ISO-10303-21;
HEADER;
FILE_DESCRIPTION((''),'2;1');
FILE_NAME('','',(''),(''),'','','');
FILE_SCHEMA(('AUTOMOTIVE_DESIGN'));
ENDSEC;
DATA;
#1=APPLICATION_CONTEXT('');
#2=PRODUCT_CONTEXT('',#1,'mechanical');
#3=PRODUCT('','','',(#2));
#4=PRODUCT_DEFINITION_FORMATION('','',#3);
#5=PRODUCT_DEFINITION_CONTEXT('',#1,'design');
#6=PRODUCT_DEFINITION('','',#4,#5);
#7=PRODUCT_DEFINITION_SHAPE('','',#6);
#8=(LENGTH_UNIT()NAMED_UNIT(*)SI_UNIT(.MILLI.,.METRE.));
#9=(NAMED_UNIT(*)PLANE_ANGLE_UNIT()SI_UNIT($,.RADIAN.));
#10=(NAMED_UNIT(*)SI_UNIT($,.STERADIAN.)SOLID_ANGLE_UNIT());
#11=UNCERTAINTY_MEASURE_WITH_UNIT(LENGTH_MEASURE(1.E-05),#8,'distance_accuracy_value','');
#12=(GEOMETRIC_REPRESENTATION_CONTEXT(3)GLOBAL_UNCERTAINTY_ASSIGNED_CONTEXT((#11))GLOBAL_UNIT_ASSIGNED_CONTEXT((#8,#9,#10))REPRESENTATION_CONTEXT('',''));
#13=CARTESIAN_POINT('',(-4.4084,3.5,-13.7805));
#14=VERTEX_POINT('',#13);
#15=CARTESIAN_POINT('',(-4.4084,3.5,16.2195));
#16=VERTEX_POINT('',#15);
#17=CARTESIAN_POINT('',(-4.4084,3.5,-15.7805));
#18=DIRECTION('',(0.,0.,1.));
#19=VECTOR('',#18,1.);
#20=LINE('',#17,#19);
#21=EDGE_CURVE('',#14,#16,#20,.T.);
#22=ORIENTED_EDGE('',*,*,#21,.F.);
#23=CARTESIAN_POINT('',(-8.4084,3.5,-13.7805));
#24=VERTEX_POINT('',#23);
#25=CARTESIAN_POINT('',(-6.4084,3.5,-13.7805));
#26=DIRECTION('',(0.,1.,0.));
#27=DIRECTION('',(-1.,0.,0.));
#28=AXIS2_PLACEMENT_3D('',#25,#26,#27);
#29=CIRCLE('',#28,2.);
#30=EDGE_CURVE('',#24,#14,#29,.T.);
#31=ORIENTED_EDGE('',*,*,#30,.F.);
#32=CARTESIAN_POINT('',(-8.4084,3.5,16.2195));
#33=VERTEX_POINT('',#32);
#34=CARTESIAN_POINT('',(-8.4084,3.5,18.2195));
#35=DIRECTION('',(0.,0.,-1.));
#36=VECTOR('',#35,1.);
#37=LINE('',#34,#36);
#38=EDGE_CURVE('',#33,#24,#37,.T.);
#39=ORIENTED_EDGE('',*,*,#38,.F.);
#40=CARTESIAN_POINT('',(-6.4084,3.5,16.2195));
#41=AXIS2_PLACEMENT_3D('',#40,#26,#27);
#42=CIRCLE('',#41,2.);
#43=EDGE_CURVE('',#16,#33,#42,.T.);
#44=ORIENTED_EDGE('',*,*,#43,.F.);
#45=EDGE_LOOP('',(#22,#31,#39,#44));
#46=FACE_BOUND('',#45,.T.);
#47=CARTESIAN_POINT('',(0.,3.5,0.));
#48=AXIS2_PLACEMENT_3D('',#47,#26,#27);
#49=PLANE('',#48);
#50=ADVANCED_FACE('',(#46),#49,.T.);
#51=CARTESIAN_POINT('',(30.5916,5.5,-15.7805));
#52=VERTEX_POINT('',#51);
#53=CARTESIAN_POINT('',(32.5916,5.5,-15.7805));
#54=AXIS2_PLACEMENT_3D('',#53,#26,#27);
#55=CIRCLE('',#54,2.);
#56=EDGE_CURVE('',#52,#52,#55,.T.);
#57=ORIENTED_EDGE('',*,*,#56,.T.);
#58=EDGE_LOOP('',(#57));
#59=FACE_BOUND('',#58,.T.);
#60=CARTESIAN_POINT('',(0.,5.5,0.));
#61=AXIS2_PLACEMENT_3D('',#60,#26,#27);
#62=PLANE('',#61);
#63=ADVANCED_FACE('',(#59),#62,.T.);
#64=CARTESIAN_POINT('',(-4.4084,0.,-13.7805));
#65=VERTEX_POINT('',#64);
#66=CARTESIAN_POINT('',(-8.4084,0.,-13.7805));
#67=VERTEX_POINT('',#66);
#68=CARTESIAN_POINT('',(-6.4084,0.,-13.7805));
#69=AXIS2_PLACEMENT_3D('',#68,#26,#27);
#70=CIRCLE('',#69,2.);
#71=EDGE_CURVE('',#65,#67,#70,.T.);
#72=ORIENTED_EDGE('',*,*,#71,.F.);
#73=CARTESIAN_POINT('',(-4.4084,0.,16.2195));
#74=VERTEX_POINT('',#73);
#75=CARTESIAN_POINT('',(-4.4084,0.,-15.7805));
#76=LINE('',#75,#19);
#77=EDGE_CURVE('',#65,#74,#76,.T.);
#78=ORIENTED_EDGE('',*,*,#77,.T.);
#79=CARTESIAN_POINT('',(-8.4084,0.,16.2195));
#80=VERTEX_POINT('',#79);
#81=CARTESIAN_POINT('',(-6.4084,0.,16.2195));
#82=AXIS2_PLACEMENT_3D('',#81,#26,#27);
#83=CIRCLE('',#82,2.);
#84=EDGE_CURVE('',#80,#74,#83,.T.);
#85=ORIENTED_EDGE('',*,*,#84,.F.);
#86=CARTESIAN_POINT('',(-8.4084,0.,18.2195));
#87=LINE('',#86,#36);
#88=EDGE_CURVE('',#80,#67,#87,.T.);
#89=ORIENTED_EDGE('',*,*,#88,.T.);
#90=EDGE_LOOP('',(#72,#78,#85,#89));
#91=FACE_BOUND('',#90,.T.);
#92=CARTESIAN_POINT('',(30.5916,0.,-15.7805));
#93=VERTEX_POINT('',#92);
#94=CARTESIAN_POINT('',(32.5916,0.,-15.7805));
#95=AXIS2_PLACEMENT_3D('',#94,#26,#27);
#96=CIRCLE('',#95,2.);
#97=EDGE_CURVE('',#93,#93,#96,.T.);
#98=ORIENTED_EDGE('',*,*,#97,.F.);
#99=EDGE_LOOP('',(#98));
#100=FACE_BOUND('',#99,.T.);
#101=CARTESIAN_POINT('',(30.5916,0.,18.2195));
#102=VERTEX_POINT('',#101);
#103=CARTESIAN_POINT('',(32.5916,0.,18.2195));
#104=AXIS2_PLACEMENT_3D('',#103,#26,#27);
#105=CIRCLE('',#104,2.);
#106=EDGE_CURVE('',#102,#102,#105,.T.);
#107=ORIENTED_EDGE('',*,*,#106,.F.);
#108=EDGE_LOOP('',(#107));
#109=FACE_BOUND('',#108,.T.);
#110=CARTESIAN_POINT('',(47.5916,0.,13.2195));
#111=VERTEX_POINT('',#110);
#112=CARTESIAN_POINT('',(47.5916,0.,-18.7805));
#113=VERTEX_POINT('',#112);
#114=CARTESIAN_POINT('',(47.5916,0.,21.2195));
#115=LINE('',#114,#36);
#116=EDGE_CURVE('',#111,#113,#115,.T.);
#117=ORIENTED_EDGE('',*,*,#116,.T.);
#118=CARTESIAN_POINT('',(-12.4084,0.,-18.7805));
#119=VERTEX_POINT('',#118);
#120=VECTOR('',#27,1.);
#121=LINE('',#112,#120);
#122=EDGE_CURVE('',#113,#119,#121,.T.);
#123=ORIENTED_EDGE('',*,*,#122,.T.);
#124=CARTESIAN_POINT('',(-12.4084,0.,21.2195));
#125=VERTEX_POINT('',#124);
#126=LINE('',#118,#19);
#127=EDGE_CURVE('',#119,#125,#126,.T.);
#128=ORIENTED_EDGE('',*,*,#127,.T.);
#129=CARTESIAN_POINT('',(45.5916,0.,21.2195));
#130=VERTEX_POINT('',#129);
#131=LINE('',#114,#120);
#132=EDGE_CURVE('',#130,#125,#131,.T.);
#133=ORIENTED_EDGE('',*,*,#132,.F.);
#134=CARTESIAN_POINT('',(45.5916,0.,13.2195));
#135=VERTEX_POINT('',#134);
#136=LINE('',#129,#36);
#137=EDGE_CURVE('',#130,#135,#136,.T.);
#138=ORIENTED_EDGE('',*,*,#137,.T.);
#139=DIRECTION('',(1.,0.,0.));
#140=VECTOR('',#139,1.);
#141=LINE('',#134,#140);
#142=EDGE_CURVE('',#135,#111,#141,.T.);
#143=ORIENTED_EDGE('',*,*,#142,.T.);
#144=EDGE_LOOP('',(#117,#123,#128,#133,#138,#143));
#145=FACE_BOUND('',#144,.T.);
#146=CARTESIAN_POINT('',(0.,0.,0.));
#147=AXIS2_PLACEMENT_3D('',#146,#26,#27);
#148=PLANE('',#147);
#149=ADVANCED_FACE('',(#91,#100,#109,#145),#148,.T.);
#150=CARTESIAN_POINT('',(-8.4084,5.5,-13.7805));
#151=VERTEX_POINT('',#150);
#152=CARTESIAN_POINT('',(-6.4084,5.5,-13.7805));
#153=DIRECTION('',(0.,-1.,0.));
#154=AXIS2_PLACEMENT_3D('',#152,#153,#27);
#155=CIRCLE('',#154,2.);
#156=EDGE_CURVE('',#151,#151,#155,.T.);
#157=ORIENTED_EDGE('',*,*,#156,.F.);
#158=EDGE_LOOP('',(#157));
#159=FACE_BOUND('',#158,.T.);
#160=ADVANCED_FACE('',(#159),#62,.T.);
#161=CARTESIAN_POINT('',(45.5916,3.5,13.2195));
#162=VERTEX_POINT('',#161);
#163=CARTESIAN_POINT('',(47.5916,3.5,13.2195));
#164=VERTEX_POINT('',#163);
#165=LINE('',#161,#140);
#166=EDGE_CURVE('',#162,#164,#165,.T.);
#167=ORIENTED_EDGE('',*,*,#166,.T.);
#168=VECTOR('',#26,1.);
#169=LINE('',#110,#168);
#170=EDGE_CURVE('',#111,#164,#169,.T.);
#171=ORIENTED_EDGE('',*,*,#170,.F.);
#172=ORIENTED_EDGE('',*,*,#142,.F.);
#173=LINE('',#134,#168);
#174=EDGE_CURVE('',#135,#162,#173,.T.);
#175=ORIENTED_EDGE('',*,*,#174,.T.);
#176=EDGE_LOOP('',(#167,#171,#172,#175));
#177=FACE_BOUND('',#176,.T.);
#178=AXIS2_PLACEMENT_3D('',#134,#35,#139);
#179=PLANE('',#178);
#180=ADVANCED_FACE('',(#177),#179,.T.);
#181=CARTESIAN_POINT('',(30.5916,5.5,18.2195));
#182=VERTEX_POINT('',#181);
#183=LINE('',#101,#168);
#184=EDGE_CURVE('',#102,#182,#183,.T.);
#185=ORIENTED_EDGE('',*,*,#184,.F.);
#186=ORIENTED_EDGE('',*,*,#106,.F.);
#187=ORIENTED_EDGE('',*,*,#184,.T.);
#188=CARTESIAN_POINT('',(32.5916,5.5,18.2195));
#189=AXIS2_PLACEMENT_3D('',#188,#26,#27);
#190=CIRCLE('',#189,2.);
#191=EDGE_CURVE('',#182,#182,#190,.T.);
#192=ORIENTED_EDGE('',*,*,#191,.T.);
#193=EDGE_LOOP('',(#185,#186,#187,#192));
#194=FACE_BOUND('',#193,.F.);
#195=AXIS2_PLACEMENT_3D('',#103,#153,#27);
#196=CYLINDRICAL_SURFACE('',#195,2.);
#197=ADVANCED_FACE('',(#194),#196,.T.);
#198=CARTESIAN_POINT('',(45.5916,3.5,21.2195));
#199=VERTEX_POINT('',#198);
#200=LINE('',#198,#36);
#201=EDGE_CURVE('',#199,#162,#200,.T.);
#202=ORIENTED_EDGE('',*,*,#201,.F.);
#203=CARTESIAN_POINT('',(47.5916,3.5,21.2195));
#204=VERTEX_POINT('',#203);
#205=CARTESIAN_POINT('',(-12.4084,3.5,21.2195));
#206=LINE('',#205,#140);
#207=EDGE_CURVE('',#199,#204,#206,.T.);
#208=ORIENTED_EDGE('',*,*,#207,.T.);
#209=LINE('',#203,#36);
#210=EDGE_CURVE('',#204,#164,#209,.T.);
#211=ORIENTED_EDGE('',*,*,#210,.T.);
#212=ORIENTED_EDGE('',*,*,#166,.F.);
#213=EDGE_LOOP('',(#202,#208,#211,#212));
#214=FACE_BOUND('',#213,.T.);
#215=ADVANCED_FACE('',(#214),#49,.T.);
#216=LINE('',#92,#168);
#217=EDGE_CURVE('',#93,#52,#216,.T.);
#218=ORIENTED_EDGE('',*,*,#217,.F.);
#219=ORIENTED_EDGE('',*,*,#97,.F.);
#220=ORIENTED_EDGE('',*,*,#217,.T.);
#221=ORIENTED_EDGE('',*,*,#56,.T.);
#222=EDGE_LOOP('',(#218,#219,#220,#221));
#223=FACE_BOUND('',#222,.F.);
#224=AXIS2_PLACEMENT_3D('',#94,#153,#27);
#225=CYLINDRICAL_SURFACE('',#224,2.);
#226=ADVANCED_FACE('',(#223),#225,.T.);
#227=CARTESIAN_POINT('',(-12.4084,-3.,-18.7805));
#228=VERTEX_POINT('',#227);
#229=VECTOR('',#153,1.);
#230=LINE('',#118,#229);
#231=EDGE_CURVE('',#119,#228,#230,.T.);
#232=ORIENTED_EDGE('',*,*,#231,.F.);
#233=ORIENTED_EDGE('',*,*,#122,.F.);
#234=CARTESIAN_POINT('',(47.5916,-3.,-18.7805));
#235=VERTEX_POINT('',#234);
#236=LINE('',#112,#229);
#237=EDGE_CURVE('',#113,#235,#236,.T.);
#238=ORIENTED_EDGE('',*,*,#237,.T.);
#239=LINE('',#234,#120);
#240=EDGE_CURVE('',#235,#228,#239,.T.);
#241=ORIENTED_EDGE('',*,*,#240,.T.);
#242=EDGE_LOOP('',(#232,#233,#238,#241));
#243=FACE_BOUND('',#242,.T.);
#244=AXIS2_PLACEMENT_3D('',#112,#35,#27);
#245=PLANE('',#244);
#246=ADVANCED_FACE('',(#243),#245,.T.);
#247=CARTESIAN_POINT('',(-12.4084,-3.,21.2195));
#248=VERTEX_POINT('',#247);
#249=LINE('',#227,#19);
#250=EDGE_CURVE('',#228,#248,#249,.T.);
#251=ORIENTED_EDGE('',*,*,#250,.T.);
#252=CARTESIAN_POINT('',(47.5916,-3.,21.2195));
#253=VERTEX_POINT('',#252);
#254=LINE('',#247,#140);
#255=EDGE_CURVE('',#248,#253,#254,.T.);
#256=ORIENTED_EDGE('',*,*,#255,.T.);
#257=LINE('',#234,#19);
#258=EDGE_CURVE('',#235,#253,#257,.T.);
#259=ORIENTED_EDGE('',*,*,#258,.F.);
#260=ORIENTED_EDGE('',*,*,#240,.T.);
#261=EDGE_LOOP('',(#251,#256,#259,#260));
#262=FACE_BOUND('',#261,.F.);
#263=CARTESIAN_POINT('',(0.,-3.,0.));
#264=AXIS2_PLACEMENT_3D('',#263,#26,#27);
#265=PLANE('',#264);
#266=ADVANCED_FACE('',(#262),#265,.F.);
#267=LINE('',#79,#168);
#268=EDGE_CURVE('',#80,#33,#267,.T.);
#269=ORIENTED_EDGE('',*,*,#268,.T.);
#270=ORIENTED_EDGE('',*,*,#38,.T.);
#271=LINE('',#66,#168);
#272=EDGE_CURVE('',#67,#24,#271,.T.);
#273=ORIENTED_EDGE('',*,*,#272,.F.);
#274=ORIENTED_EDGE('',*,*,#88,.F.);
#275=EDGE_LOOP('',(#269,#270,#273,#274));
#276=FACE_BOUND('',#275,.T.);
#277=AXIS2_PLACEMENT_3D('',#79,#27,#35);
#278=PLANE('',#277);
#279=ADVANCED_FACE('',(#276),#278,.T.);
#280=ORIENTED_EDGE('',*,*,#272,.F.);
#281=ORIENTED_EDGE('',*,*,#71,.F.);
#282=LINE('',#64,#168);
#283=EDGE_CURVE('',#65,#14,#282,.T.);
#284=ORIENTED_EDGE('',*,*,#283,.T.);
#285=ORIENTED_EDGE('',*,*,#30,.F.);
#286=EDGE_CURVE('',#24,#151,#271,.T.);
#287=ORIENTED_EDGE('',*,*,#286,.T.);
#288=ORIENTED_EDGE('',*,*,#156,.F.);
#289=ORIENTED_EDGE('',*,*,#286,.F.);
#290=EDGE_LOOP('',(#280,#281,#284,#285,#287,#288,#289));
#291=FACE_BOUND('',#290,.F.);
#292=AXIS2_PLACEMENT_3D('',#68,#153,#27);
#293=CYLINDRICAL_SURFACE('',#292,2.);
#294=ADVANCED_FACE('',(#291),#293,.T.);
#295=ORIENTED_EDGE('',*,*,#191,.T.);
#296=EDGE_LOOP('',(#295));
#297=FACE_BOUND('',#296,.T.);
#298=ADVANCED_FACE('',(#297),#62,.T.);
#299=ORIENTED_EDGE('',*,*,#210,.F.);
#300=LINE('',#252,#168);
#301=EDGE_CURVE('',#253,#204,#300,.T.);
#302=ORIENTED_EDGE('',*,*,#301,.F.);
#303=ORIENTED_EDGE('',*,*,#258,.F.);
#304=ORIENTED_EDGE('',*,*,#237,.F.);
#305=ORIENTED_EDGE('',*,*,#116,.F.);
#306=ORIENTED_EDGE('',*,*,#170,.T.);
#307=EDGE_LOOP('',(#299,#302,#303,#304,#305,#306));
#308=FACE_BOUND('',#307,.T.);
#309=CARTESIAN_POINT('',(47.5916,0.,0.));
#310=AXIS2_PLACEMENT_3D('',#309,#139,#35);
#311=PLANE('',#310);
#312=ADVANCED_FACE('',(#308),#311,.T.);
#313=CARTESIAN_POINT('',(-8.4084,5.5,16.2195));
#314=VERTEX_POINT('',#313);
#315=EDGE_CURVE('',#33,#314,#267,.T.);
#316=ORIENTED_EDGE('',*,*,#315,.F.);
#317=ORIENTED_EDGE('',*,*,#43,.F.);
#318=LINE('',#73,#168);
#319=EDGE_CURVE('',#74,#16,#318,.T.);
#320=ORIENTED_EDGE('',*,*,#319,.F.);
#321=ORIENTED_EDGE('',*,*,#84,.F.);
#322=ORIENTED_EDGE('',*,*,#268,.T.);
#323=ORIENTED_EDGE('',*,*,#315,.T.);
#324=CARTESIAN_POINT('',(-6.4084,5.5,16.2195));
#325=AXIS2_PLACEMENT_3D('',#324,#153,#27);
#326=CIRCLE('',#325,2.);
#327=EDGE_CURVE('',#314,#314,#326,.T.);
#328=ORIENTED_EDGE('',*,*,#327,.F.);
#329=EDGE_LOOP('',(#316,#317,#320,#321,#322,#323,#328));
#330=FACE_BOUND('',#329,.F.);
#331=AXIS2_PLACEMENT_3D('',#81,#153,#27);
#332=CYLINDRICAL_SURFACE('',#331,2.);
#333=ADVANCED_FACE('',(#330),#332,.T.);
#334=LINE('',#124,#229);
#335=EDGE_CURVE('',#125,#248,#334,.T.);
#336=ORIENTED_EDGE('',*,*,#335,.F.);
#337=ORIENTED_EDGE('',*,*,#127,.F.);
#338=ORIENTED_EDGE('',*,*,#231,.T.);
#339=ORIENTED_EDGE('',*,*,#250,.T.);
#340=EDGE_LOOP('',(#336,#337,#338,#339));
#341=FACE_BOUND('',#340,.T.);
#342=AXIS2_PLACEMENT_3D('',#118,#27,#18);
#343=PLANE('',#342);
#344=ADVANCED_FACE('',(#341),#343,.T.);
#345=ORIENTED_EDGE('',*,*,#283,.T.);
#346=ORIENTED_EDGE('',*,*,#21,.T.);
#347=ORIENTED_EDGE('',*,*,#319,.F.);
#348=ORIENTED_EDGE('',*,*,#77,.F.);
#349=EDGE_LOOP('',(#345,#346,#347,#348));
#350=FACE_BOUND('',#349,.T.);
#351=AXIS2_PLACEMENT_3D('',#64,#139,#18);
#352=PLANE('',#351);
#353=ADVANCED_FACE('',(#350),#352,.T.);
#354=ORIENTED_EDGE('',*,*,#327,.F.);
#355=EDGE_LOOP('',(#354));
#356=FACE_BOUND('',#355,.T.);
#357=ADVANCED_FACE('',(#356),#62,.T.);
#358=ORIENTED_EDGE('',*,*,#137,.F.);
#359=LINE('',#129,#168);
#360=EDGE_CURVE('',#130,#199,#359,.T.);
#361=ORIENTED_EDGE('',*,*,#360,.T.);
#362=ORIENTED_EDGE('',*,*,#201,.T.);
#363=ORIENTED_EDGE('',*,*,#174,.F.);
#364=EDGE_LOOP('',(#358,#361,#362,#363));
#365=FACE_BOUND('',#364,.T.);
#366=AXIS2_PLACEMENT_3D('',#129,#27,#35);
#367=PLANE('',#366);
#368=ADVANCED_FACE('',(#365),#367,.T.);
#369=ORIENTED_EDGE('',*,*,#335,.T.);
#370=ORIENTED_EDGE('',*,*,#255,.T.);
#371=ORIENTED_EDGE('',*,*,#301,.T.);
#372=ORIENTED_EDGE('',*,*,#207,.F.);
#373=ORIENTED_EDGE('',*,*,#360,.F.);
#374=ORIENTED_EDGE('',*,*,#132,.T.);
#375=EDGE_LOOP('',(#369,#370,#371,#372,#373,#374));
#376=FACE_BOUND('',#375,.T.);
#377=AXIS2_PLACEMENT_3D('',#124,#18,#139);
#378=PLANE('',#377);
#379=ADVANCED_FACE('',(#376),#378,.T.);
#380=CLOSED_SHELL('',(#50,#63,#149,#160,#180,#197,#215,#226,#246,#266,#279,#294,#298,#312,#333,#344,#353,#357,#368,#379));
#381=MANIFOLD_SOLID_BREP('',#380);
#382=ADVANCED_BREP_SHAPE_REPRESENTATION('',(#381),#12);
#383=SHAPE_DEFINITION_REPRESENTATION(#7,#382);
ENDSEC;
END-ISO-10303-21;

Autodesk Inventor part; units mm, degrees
ref_plane "YZ Plane" through (0, 0, 0) normal (1, 0, 0) x (0, 1, 0)
ref_plane "XZ Plane" through (0, 0, 0) normal (0, 1, 0) x (-1, 0, 0)
ref_plane "XY Plane" through (0, 0, 0) normal (0, 0, 1) x (1, 0, 0)
sketch "Sketch1" plane through (0, 0, 0) normal (0, 1, 0) x (-1, 0, 0)
  line L0 (12.4084, 21.2195) -> (-47.5916, 21.2195)
  line L1 (-47.5916, 21.2195) -> (-47.5916, -18.7805)
  line L2 (-47.5916, -18.7805) -> (12.4084, -18.7805)
  line L3 (12.4084, -18.7805) -> (12.4084, 21.2195)
  circle A0 centre (6.4084, 16.2195) radius 2
  circle A1 centre (6.4084, -13.7805) radius 2
  circle A2 centre (-32.5916, 18.2195) radius 2
  circle A3 centre (-32.5916, -15.7805) radius 2
  line L4 (-47.5916, 21.2195) -> (-47.5916, 0)
  line L5 (-47.5916, 21.2195) -> (-45.5916, 21.2195)
  line L6 (-45.5916, 21.2195) -> (-45.5916, 13.2195)
  line L7 (-45.5916, 13.2195) -> (-47.5916, 13.2195)
  line L8 (-47.5916, 13.2195) -> (-47.5916, 21.2195)
  line L9 (8.4084, -15.7805) -> (4.4084, -15.7805)
  line L10 (4.4084, -15.7805) -> (4.4084, 18.2195)
  line L11 (4.4084, 18.2195) -> (8.4084, 18.2195)
  line L12 (8.4084, 18.2195) -> (8.4084, -15.7805)
  point P0 (0, 0)
  point P1 (8.4084, -13.7805)
  point P2 (8.4084, 16.2195)
  point P3 (4.4084, 16.2195)
  point P4 (4.4084, -13.7805)
  dimension "d0" = 40
  dimension "d1" = 60
  dimension "d2" = 4
  dimension "d3" = 4
  dimension "d4" = 4
  dimension "d5" = 4
  dimension "d6" = 5
  dimension "d7" = 5
  dimension "d9" = 6
  dimension "d10" = 6
  dimension "d11" = 3
  dimension "d12" = 3
  dimension "d13" = 15
  dimension "d14" = 15
  dimension "d15" = 34
  dimension "d16" = 39
  dimension "d17" = 30
  dimension "d26" = 8
  dimension "d27" = 2
extrude "Extrusion1" add sketch "Sketch1" against normal blind 3 contours L3 L2 L1 L7 L6 L0 | L6 L7 L1 L0 | A0 | L12 A1 L10 A0 | A0 L11 L12 | A0 L10 L11 | A1 | L12 L9 A1 | A1 L9 L10 | A2 | A3
extrude "Extrusion2" add sketch "Sketch1" along normal blind 5.5 contours A0 | A1 | A2 | A3
extrude "Extrusion3" add sketch "Sketch1" along normal blind 3.5 contours L6 L7 L1 L0 | L12 A1 L10 A0
properties part number "RFID Reader Frontboard"
